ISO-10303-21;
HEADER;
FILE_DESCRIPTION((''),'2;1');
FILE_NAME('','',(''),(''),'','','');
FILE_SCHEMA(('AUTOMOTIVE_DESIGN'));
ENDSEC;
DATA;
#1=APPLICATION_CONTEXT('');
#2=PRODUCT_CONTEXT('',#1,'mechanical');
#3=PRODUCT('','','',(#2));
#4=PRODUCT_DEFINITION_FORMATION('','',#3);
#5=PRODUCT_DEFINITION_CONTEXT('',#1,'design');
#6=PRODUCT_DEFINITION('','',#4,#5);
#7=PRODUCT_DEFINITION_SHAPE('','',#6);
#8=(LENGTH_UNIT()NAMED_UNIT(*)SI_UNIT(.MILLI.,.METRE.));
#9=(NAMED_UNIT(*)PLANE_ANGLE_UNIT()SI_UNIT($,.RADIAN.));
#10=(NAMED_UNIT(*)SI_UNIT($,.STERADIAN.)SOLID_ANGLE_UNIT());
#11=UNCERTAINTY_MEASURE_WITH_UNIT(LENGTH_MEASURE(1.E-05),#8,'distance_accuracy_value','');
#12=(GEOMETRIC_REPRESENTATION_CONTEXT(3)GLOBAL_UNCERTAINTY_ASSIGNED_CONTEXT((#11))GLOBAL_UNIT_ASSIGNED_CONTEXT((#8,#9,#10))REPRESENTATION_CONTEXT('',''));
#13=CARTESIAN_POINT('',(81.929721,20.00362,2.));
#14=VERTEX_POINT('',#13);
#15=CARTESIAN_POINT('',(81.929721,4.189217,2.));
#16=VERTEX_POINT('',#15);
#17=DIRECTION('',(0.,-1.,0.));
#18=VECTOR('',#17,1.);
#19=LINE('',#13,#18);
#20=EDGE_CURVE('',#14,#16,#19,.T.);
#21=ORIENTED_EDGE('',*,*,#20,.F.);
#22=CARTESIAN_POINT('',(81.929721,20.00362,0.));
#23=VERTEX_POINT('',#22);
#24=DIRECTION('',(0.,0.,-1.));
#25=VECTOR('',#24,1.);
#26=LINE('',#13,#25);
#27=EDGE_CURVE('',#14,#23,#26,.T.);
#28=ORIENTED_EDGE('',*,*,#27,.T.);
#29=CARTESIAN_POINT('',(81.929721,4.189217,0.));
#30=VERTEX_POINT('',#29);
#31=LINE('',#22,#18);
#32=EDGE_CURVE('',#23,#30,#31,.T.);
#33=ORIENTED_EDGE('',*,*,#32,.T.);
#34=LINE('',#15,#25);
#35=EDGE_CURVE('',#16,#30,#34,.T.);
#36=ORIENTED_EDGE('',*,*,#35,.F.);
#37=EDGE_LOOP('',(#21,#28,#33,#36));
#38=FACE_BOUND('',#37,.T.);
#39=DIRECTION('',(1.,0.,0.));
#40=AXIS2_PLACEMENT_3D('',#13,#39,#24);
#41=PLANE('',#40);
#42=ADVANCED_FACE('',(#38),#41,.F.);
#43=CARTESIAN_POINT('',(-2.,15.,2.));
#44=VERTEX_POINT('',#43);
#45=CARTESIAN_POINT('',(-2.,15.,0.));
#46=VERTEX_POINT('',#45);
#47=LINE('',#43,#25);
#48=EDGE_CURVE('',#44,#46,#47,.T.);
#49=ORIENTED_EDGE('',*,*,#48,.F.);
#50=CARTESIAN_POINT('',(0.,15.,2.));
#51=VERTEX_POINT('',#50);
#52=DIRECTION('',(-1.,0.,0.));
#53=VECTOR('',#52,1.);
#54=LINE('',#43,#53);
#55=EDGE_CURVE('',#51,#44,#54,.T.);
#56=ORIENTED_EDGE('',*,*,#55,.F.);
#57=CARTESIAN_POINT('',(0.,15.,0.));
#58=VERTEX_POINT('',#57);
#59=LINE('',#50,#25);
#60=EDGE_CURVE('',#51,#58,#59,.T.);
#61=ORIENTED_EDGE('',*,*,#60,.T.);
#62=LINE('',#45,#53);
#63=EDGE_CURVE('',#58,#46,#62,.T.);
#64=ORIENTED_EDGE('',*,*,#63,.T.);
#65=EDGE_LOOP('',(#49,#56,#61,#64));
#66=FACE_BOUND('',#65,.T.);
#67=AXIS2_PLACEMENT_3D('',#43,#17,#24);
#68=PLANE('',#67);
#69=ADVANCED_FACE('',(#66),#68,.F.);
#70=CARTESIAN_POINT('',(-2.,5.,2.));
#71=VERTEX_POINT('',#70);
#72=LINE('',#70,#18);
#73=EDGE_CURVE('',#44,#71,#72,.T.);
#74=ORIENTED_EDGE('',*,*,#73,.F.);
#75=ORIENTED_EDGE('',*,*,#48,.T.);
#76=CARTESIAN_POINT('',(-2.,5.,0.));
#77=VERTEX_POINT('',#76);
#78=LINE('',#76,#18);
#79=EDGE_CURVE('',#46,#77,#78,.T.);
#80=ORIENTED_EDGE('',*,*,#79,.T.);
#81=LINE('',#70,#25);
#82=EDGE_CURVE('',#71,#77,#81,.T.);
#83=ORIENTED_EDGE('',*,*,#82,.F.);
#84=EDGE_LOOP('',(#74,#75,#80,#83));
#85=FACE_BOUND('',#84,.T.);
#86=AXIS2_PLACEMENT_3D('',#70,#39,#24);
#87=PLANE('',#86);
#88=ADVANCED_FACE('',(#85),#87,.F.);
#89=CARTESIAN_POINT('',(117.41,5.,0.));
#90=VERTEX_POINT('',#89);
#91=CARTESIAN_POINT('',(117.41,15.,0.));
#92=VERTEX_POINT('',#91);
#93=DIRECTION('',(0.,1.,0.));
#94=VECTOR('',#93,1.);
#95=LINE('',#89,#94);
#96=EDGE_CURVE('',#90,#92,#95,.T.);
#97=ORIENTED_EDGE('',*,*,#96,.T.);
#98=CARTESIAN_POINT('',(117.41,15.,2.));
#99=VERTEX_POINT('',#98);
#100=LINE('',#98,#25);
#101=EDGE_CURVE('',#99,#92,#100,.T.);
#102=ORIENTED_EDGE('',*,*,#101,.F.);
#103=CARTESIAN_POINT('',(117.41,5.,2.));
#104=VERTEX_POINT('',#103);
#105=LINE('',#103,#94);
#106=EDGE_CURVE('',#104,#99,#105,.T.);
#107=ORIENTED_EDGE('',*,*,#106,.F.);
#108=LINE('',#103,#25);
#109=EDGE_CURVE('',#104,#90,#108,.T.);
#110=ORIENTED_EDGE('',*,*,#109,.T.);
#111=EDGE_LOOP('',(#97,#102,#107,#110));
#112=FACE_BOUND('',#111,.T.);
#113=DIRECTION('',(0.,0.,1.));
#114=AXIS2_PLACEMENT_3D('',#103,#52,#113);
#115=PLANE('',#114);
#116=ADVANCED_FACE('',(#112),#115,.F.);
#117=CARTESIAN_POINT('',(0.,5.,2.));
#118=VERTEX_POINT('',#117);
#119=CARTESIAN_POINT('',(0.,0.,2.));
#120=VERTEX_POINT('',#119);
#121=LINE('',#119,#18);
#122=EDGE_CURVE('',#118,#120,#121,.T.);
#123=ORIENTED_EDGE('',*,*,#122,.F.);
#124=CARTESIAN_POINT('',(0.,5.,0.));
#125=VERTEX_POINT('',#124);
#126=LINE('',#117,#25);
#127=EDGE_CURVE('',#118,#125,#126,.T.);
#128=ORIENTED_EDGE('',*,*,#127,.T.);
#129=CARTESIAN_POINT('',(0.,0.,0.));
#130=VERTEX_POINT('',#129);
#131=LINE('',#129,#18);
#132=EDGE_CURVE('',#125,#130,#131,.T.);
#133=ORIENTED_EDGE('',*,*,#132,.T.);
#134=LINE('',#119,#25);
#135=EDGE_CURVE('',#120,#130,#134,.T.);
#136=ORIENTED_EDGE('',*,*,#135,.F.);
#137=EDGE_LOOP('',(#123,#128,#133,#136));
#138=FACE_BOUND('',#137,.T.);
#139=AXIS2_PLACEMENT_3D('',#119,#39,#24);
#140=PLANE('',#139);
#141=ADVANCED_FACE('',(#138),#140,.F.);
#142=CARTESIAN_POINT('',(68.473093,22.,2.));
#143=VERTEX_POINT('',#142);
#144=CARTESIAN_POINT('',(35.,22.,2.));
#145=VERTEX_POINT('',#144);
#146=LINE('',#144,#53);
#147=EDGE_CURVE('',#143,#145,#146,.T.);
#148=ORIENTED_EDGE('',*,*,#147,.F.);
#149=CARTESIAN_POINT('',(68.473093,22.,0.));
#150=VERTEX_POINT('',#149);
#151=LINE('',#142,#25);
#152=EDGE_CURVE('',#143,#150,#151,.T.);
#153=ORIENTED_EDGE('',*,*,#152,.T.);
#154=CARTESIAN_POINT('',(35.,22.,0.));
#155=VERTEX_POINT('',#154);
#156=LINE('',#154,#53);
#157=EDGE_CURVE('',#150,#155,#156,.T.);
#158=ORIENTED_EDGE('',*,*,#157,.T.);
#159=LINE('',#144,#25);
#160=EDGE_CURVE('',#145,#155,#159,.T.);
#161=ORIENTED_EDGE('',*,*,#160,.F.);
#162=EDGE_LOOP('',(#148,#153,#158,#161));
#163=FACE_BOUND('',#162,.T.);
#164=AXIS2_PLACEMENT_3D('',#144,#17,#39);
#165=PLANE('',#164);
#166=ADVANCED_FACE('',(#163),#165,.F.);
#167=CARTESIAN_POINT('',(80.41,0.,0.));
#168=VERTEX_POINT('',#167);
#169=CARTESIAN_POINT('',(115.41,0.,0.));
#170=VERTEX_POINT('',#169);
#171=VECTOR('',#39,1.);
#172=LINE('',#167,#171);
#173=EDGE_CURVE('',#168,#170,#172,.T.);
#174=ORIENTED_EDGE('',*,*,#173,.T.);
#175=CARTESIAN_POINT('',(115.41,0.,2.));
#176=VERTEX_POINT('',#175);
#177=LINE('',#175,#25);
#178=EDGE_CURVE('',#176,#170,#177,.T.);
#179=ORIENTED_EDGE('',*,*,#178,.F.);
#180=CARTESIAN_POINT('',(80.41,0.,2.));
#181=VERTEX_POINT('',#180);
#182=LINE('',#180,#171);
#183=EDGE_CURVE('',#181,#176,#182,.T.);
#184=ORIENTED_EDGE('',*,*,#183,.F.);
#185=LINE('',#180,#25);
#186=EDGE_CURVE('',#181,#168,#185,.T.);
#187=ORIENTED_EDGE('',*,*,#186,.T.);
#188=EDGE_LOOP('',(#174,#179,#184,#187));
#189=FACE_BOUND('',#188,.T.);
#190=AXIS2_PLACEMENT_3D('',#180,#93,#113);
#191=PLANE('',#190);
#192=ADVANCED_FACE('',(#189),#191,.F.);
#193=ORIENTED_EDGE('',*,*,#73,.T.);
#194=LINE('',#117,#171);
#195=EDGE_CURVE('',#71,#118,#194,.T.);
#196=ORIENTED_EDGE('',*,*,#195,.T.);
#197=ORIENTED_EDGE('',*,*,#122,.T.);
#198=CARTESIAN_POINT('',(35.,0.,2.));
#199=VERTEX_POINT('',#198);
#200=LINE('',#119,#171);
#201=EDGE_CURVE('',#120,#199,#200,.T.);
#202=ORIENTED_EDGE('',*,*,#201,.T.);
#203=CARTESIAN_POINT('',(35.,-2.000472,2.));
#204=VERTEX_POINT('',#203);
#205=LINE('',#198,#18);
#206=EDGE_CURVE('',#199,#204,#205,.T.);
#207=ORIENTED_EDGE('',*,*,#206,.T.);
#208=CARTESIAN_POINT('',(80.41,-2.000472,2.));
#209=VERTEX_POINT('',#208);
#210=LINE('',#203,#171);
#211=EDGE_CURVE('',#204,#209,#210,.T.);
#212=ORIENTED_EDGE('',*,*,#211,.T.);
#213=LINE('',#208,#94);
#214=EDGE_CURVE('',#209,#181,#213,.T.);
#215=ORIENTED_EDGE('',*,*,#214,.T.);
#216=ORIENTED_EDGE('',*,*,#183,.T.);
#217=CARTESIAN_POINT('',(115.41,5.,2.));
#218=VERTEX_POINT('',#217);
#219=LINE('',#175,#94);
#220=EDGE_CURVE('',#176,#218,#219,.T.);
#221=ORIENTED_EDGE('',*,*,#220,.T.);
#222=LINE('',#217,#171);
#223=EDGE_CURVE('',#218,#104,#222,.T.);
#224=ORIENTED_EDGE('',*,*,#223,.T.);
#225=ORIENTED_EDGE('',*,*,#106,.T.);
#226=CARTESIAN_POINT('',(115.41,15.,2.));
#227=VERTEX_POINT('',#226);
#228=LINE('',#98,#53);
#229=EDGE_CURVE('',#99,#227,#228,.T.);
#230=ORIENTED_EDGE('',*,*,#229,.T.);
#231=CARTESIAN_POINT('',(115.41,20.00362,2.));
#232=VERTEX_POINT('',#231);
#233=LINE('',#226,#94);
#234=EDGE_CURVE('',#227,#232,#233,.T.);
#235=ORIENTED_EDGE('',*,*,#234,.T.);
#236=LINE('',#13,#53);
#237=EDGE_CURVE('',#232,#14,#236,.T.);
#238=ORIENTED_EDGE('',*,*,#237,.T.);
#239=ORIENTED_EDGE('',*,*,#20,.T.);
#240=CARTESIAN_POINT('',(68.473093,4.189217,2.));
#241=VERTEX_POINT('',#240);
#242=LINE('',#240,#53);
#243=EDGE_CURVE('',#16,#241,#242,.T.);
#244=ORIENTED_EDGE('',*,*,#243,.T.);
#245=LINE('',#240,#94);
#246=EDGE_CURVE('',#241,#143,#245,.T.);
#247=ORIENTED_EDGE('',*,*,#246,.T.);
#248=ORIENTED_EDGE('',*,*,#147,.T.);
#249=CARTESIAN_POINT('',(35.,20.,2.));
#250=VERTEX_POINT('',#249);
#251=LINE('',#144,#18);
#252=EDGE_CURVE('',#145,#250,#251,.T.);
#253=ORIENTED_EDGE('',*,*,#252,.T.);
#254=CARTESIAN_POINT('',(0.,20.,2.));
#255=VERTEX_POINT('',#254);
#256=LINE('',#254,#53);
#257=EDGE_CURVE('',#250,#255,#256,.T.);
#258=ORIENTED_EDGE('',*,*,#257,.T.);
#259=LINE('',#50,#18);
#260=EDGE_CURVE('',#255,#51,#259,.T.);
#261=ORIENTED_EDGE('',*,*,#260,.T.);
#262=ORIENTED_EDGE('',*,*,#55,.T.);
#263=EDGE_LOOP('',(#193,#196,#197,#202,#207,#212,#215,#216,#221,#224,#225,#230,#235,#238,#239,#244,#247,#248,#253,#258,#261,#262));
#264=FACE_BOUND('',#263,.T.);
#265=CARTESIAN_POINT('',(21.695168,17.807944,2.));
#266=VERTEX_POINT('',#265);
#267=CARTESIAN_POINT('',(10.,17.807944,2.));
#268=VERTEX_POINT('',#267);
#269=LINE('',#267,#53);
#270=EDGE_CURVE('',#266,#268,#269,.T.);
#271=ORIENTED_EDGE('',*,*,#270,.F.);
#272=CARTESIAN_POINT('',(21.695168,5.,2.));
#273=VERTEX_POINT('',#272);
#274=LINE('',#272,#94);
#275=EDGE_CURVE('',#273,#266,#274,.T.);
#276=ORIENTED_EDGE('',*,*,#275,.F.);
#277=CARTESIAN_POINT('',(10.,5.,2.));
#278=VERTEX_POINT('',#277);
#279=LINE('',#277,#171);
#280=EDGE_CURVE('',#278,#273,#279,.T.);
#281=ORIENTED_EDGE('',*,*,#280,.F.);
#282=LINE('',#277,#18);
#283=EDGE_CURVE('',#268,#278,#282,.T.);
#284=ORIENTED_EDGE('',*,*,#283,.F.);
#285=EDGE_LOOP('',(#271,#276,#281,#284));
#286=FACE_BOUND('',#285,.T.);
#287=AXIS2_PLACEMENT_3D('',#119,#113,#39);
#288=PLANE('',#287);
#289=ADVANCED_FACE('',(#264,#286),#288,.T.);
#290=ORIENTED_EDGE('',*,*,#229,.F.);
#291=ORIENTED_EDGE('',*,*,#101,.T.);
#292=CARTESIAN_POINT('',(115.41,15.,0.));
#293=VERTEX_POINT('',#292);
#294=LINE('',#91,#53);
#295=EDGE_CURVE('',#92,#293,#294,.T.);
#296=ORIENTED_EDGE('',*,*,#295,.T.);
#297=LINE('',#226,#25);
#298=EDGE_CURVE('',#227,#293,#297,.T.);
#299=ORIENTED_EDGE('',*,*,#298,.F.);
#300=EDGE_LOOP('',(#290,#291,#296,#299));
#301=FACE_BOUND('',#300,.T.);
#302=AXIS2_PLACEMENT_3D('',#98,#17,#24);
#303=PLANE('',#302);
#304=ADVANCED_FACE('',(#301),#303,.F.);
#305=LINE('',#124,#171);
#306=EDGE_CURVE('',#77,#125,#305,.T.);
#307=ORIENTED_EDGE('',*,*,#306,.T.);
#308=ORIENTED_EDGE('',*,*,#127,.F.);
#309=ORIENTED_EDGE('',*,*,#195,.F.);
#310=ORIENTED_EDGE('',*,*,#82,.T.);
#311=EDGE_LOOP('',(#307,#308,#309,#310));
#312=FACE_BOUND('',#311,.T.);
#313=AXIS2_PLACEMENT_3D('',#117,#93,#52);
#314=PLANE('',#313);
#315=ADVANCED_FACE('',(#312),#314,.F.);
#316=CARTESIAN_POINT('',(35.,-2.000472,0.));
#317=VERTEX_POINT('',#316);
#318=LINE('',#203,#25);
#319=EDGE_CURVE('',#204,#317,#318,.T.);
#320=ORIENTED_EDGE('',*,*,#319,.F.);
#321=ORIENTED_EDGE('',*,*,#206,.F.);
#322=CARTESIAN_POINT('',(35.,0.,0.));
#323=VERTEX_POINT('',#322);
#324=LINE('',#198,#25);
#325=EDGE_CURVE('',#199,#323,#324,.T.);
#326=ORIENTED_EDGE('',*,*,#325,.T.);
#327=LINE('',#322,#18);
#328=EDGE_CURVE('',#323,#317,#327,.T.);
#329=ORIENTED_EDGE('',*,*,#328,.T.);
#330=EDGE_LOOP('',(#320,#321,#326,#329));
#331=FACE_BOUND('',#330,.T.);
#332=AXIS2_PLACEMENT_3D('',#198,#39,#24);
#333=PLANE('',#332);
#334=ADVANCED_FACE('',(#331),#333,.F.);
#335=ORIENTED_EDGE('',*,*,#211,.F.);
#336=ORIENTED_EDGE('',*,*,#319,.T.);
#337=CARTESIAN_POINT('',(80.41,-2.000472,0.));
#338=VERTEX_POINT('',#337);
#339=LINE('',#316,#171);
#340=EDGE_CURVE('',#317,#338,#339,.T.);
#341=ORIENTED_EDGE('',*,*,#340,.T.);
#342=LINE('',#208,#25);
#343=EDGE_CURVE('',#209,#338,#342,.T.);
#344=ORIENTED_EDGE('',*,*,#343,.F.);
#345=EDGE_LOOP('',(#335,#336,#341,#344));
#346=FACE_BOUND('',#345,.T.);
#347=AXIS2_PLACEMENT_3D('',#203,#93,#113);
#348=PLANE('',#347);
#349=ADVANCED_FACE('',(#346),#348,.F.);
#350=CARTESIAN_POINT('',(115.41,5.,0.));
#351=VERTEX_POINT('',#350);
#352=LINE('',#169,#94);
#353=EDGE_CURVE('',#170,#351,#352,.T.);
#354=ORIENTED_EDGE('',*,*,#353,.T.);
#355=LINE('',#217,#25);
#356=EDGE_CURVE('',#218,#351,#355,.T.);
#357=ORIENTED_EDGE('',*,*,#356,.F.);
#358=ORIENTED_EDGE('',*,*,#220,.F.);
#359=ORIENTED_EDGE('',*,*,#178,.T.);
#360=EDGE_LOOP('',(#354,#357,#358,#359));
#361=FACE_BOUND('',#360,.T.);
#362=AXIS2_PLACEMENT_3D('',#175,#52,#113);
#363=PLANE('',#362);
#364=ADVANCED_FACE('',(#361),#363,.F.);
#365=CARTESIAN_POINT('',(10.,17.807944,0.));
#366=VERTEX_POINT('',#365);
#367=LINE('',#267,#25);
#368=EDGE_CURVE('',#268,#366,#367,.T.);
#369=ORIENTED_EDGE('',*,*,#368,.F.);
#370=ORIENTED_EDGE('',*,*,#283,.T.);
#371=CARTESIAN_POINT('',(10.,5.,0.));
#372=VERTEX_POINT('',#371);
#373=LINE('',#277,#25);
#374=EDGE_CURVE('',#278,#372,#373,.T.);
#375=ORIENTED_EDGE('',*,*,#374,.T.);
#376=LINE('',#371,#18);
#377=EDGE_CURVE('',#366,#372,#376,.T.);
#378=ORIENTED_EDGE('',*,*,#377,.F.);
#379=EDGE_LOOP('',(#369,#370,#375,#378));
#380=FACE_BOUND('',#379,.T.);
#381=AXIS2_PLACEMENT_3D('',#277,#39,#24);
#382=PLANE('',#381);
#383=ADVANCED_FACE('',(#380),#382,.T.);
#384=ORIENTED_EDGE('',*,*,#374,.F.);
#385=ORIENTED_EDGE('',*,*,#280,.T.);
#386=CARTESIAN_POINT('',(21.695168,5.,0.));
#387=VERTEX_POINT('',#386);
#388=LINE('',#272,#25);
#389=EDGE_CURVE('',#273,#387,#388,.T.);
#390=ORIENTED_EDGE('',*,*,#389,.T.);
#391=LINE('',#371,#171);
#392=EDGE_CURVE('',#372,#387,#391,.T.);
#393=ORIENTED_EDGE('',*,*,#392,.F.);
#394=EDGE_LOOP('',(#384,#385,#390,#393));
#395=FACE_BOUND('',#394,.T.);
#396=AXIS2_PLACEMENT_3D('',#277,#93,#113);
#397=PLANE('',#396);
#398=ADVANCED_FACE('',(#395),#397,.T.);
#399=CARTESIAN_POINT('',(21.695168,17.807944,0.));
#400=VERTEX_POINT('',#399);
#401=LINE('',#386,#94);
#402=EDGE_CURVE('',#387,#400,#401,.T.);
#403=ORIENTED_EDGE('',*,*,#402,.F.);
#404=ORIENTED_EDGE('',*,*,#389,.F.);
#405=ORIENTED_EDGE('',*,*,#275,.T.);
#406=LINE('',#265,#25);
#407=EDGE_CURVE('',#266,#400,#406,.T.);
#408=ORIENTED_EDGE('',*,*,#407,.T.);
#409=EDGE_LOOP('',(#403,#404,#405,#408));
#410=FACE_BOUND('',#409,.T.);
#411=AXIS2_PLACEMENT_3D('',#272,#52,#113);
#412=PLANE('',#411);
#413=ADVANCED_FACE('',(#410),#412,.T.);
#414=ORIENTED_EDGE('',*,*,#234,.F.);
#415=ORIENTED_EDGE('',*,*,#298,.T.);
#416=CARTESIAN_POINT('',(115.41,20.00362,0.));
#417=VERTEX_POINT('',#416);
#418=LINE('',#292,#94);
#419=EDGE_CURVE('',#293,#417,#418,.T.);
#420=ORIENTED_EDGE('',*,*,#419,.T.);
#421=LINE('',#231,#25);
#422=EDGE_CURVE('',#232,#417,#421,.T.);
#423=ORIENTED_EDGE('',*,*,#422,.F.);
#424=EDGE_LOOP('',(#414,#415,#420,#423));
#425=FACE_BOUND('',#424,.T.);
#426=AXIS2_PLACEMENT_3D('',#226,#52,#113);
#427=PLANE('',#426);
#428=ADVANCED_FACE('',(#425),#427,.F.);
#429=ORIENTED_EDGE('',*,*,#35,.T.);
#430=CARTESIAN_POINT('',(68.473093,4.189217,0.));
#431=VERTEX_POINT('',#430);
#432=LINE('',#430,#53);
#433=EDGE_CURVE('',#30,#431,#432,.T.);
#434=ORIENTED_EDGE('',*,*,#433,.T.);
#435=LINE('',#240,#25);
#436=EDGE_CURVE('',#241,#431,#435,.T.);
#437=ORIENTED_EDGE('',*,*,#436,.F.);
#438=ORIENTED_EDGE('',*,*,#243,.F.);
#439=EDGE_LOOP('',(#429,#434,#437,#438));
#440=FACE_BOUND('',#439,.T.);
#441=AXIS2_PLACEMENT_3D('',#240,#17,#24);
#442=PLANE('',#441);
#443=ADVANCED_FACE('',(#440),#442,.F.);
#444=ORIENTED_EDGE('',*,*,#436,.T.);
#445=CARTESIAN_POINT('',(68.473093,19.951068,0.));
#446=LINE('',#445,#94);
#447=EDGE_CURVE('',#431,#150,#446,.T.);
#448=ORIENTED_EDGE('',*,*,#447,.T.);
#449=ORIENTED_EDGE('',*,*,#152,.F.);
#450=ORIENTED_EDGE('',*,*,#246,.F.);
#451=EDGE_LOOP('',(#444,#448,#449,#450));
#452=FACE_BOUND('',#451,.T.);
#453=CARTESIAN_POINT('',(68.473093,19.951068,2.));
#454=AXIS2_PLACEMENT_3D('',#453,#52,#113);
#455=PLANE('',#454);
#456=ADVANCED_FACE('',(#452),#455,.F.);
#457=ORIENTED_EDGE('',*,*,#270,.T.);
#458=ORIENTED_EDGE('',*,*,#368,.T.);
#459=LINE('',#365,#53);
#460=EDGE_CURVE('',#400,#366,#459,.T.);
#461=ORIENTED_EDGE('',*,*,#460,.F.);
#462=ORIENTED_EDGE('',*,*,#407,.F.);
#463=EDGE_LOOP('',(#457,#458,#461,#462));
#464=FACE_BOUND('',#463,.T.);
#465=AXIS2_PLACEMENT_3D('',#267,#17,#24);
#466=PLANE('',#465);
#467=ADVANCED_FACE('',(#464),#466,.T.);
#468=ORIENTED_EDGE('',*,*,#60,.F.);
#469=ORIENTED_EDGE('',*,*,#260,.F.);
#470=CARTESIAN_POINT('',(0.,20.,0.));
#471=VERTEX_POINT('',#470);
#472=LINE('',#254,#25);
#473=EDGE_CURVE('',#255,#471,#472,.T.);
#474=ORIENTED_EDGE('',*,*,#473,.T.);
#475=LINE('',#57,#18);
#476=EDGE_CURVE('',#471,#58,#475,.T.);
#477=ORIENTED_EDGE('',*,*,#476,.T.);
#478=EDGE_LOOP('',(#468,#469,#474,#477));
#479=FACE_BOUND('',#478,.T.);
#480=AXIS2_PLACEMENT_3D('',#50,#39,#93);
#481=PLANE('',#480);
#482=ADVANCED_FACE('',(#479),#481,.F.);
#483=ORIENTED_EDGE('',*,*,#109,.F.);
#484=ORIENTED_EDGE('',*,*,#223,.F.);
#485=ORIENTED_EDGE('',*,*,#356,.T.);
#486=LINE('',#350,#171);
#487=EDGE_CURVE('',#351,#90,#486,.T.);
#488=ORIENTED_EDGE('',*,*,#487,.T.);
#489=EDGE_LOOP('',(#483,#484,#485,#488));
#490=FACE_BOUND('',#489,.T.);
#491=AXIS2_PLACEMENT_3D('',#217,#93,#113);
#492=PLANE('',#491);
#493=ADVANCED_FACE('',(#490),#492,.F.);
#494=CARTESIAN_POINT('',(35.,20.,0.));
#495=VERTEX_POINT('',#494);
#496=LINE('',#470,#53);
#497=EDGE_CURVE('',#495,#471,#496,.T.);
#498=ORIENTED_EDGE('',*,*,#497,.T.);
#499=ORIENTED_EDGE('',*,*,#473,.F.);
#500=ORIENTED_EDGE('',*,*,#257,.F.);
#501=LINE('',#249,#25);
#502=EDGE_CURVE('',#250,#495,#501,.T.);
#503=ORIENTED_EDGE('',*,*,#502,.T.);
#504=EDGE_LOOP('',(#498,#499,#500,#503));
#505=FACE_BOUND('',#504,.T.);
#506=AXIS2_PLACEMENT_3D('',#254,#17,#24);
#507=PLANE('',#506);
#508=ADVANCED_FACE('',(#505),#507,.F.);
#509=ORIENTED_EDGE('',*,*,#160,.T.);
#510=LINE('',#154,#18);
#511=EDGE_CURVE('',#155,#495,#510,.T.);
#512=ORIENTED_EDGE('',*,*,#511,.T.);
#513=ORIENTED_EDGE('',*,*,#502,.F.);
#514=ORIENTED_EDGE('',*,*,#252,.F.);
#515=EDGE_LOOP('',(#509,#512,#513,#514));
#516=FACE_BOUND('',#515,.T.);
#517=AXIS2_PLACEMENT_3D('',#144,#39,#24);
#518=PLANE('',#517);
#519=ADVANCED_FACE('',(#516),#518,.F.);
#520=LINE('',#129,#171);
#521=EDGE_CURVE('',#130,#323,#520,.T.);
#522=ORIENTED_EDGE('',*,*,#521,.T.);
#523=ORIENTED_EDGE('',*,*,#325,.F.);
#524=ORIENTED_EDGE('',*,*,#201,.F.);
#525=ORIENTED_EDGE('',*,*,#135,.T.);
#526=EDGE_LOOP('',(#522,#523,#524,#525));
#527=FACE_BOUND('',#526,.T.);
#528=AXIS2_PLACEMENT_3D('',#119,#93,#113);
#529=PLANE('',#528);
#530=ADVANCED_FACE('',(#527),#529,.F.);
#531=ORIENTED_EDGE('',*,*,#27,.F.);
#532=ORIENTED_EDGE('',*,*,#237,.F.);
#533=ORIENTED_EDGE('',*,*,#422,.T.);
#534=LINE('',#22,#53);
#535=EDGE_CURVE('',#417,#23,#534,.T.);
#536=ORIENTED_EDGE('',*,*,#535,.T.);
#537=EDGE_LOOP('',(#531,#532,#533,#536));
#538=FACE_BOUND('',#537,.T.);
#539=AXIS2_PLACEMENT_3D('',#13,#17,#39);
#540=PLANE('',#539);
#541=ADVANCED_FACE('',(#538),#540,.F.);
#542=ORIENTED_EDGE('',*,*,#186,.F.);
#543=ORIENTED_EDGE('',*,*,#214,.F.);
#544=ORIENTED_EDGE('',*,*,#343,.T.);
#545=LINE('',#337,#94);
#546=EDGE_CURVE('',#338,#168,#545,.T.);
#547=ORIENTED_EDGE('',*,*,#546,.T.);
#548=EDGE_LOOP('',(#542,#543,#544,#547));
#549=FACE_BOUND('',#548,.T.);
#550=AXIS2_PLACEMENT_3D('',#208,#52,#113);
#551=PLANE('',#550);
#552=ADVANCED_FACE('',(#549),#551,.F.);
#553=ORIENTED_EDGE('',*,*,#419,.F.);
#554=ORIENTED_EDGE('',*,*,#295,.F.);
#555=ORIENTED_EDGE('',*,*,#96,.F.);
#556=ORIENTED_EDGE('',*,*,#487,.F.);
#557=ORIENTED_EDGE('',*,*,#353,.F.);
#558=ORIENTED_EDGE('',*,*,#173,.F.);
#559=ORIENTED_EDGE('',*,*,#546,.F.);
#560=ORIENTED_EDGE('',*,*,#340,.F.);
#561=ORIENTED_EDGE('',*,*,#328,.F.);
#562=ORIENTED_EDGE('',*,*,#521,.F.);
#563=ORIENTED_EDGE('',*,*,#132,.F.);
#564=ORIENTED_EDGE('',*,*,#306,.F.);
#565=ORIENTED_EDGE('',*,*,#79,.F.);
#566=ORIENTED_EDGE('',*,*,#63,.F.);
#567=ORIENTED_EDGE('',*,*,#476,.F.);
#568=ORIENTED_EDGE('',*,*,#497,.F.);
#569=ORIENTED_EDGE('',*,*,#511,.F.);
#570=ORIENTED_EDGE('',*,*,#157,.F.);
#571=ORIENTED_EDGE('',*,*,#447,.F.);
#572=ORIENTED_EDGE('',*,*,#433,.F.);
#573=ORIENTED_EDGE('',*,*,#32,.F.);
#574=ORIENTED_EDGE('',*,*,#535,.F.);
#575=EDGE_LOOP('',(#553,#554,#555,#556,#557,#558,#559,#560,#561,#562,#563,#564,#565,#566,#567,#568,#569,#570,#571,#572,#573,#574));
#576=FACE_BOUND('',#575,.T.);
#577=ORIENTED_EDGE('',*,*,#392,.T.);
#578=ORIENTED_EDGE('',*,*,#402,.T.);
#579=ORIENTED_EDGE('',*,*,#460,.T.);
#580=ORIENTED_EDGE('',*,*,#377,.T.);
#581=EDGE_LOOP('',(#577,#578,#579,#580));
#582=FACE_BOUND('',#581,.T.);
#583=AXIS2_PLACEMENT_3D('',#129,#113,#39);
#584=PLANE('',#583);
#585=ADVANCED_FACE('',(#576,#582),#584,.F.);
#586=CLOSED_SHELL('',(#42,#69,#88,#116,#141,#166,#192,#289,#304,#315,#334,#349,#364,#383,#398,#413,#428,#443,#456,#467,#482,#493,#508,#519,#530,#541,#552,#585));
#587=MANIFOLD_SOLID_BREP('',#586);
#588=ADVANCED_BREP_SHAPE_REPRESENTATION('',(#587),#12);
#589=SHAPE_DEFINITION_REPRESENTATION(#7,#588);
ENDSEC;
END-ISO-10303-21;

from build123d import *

# Parameters (mm, degrees)
SKETCH1_W           = 11.695168442
SKETCH1_H           = 12.807944464
BOSS_EXTRUDE1_DEPTH = 2


with BuildPart() as part:
    # Sketch1 → Boss-Extrude1 (new body)
    with BuildSketch(Plane.XY):
        Polygon((0, 0), (35, 0), (35, -2.000471596), (80.41, -2.000471596), (80.41, 0), (115.41, 0), (115.41, 5), (117.41, 5), (117.41, 15), (115.409999943, 15), (115.409999943, 20.003619975), (81.929720774, 20.003619975), (81.929720774, 4.189216968), (68.473093168, 4.189216968), (68.473093168, 15.598586388), (68.473093168, 19.951067772), (68.473093168, 22), (35, 22), (35, 20), (0, 20), (0, 15), (-2, 15), (-2, 5), (0, 5), align=None)
        with Locations((15.847584221, 11.403972232)):
            Rectangle(SKETCH1_W, SKETCH1_H, mode=Mode.SUBTRACT)
    extrude(amount=BOSS_EXTRUDE1_DEPTH)


solid = part.part
